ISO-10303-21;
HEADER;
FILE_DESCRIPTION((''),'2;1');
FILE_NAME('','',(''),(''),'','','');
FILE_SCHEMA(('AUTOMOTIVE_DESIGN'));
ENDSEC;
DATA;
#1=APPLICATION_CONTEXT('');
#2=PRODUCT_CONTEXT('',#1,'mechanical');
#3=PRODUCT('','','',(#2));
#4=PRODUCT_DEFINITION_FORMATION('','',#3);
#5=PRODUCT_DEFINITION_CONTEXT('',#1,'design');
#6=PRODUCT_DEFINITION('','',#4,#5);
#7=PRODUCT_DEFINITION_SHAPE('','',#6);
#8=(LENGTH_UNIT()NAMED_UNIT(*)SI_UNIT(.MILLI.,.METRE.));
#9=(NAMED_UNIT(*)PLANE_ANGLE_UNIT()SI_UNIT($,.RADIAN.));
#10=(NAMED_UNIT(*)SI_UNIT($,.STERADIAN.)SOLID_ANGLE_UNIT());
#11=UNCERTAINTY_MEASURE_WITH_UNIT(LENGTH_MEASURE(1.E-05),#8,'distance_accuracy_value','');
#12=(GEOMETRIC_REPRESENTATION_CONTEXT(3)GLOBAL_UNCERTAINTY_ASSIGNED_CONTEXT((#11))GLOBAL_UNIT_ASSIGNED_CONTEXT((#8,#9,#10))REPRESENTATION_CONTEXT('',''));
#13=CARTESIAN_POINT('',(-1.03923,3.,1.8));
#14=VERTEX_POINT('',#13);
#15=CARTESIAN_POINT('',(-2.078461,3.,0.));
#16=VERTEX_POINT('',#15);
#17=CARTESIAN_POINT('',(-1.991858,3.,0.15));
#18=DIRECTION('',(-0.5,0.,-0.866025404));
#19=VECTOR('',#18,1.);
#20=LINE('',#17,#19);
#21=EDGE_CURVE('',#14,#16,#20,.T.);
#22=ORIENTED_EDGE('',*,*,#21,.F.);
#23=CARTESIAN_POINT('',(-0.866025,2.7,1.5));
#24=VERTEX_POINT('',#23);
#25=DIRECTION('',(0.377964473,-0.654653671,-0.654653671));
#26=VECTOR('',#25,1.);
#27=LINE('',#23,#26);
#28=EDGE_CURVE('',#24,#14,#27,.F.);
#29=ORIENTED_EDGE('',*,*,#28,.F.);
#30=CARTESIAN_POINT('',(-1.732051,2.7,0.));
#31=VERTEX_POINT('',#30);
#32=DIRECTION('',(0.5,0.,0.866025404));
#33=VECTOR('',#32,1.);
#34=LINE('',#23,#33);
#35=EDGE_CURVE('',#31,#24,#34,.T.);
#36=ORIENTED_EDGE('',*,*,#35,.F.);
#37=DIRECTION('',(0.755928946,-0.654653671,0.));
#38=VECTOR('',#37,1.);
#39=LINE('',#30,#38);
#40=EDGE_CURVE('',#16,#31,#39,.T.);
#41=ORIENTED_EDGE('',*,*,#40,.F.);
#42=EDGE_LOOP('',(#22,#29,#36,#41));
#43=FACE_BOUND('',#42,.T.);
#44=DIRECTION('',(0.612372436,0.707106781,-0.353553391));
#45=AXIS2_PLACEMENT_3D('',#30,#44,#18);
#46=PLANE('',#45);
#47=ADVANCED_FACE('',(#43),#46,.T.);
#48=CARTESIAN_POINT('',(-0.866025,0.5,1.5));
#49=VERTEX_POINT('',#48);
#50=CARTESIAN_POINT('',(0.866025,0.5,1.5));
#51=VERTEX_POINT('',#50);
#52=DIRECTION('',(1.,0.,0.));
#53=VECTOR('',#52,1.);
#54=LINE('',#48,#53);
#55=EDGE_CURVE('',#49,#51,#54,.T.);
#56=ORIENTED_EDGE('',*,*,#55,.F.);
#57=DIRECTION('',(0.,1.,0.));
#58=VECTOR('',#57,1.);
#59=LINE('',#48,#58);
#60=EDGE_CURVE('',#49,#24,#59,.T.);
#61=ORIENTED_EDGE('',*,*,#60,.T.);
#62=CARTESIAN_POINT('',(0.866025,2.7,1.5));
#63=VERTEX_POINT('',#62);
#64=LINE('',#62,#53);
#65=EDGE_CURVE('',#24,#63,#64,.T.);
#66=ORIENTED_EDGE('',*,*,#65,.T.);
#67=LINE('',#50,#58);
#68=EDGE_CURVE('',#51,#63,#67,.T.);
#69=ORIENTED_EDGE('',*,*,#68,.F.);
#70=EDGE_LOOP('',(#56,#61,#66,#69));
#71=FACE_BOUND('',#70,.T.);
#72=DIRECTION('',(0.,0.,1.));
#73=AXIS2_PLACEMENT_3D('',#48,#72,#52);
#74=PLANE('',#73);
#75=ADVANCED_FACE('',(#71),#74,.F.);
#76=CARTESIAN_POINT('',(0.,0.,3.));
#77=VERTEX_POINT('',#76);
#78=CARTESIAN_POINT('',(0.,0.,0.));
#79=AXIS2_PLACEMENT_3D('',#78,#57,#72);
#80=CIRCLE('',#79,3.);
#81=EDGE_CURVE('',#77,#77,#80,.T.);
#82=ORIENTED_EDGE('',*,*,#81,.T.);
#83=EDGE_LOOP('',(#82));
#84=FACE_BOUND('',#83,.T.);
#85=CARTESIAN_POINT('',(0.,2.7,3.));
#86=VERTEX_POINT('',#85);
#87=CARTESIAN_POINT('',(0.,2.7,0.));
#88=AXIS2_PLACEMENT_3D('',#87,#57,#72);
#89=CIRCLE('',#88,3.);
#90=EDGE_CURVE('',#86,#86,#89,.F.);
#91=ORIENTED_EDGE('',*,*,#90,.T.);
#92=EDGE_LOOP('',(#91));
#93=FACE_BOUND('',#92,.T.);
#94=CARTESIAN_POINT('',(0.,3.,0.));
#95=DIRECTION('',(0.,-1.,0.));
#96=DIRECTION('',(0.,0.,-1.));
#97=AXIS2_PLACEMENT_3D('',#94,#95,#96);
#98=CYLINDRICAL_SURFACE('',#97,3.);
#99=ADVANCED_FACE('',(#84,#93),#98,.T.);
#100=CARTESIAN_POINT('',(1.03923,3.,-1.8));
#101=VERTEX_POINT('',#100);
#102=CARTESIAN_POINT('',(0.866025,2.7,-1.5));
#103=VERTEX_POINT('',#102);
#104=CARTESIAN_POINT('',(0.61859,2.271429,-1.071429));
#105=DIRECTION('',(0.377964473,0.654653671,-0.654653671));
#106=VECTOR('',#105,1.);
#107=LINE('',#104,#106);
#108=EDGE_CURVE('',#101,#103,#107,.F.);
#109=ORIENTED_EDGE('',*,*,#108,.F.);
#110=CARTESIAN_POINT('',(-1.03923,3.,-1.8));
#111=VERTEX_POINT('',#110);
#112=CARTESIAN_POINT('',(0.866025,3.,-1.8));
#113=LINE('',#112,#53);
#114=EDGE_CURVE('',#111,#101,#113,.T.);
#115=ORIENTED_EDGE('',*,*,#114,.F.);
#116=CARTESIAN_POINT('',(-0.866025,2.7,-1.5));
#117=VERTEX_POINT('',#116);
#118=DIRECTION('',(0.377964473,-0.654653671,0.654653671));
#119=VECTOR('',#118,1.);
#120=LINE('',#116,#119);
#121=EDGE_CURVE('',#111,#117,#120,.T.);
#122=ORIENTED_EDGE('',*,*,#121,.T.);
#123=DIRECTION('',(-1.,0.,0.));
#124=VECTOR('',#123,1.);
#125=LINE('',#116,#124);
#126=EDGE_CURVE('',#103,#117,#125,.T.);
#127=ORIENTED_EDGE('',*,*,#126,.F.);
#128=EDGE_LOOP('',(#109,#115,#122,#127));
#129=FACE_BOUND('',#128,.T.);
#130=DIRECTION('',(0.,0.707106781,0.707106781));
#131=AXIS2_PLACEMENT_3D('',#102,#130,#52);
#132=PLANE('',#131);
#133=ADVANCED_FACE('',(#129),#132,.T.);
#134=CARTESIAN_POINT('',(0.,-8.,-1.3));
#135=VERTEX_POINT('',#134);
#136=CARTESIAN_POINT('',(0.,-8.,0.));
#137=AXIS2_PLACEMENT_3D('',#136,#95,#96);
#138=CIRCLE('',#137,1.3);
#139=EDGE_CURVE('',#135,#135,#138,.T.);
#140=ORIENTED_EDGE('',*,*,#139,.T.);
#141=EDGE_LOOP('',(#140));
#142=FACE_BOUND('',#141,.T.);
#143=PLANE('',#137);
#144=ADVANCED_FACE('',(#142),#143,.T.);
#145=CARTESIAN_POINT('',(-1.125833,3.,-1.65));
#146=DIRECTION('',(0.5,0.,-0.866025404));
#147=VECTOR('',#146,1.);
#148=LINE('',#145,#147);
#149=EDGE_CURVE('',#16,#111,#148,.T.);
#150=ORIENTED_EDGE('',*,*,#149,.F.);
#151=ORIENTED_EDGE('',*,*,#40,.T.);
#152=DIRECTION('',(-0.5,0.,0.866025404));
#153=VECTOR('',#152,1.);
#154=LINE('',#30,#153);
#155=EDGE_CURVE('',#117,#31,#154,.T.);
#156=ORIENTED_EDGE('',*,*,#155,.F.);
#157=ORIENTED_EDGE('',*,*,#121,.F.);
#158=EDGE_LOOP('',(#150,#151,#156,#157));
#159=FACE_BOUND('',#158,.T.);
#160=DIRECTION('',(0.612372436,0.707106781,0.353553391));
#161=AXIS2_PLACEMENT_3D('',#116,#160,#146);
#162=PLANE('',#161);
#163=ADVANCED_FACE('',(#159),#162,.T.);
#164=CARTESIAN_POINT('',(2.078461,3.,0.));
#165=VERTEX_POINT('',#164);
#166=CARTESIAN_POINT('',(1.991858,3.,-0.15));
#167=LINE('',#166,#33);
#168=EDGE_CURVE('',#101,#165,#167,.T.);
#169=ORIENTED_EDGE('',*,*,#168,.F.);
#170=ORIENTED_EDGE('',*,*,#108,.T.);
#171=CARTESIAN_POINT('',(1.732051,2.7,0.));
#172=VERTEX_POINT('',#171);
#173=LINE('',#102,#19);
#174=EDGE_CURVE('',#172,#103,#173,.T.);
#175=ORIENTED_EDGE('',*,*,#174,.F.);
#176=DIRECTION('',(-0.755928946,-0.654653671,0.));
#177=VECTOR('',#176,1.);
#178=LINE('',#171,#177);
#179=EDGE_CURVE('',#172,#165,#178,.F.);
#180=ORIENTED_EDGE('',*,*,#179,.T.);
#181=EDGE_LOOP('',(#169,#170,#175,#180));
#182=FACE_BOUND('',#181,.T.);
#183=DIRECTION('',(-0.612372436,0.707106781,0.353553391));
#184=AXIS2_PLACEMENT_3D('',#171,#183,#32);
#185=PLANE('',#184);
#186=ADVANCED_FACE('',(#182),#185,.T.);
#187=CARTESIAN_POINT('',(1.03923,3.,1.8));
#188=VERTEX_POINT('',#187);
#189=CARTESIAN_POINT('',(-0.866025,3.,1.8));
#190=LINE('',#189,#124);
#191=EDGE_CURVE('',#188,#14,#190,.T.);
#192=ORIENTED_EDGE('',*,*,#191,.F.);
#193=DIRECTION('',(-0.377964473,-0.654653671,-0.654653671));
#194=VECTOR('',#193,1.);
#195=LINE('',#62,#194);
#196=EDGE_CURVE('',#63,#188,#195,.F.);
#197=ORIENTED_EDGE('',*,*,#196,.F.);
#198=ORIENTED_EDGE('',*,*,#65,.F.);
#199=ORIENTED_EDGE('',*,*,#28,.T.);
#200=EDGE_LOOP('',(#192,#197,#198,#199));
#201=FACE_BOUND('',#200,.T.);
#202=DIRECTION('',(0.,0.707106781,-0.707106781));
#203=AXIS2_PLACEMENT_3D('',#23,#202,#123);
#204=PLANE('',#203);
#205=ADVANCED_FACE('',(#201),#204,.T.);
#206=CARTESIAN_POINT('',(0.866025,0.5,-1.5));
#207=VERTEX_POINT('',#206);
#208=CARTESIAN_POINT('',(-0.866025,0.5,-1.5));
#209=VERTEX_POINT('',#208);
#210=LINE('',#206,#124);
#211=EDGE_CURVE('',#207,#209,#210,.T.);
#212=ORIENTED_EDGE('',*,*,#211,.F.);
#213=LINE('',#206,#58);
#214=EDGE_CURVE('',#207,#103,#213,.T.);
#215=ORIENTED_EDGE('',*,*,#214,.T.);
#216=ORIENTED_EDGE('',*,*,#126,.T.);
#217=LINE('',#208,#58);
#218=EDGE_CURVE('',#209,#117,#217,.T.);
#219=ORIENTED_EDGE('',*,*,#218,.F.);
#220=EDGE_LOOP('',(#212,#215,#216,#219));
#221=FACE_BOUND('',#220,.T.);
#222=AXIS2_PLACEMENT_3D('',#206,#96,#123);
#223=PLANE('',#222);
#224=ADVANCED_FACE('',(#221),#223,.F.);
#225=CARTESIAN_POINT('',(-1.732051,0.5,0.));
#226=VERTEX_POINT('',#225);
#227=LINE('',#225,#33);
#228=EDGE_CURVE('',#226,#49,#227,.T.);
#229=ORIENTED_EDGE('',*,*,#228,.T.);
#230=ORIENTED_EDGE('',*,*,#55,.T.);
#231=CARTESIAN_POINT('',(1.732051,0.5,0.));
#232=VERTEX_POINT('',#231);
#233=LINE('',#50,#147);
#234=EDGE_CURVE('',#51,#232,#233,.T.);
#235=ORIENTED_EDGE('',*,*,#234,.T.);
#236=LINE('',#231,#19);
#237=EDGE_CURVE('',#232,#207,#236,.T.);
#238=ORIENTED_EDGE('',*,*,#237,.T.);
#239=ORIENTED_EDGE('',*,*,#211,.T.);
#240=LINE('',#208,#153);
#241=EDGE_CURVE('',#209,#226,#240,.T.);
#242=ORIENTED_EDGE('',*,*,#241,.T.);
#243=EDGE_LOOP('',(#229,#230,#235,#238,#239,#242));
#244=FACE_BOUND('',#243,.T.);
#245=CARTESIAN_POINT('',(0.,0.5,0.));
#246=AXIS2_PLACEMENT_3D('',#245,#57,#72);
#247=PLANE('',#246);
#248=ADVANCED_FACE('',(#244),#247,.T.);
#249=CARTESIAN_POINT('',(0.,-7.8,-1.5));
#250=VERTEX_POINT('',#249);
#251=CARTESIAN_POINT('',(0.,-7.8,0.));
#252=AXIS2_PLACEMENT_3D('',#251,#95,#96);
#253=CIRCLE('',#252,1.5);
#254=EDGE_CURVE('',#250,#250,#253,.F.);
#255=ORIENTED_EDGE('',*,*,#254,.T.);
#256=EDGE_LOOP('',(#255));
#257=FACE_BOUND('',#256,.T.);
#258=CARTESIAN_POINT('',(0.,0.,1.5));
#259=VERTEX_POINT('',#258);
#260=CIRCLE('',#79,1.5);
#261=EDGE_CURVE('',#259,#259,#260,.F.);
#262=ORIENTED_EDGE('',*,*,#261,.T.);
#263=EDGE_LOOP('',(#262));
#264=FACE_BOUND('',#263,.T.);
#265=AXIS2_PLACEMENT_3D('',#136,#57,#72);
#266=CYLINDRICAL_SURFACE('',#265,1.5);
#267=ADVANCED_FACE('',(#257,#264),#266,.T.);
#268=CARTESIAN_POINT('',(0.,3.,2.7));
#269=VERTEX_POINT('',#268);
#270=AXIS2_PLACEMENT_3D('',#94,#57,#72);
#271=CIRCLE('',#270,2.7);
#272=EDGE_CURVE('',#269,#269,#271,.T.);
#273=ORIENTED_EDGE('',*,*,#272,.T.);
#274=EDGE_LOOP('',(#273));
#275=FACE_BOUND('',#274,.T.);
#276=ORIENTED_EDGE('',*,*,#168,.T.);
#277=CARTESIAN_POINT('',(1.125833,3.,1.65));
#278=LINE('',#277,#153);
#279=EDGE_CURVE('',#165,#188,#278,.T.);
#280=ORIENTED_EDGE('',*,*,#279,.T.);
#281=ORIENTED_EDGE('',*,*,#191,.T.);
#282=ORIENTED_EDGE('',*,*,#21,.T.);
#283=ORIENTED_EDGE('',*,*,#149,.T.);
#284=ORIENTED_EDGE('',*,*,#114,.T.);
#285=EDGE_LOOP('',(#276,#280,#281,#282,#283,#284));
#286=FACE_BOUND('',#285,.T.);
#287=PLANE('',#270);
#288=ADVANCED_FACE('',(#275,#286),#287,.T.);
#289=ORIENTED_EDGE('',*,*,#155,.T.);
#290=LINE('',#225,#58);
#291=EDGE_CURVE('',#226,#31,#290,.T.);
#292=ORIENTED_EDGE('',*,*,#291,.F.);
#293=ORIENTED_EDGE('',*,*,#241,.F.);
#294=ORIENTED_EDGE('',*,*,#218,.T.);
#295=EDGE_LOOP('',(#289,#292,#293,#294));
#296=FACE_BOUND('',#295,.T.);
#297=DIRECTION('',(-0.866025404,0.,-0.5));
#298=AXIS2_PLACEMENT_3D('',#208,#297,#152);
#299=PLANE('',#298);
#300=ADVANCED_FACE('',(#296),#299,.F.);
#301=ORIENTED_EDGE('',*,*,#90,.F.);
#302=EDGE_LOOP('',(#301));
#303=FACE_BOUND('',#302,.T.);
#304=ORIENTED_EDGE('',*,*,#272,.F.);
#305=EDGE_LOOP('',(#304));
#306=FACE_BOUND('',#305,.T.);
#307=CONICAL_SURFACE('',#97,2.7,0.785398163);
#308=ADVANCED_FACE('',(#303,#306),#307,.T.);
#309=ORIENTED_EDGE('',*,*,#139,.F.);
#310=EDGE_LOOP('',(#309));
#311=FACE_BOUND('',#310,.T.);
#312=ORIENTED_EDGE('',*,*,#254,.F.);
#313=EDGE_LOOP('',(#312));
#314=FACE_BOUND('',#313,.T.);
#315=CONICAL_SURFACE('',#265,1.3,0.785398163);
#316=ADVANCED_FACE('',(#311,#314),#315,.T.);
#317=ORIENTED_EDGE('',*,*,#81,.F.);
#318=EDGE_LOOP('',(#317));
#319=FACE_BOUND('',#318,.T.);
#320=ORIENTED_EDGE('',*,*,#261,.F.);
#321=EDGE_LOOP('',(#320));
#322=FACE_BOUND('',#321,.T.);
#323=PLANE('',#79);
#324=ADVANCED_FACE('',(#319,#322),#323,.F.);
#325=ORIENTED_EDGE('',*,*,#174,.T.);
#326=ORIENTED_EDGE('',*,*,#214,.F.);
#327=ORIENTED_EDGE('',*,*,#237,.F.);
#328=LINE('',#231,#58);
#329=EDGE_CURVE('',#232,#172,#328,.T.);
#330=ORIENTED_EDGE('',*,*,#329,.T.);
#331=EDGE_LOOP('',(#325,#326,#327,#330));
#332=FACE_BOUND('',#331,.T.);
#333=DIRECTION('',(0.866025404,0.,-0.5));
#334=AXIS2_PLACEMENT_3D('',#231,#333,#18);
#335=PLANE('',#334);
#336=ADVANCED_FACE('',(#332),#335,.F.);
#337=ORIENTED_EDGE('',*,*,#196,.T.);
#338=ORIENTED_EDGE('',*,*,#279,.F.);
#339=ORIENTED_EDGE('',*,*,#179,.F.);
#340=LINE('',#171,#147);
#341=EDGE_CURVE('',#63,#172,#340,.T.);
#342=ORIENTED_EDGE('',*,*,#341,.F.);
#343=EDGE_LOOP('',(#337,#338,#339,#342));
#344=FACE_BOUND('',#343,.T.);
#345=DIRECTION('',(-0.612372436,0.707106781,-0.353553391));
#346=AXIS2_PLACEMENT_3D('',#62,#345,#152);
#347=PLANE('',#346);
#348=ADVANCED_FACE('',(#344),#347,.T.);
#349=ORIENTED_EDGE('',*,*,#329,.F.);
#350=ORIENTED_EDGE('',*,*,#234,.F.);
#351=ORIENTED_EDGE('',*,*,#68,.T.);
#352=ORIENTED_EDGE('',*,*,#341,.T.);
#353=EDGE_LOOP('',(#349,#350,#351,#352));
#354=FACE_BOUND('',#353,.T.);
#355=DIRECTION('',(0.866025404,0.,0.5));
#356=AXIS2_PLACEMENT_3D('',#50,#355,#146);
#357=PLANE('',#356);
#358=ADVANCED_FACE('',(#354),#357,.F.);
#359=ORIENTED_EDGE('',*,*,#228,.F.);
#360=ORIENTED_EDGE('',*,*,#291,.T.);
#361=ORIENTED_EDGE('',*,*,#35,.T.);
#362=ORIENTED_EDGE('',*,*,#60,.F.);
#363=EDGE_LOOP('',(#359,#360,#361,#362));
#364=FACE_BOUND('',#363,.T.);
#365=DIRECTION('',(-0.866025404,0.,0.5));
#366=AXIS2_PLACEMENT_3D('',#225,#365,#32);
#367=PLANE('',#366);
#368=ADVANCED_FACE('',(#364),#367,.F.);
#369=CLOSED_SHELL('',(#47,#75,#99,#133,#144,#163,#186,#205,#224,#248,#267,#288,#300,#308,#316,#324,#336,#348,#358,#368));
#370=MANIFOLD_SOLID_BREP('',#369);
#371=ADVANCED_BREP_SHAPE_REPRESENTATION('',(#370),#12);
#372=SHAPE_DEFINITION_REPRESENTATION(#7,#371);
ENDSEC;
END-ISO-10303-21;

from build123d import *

# Parameters (mm, degrees)
SKETCH1_R           = 3
BOSS_EXTRUDE1_DEPTH = 3
CHAMFER1_SIZE       = 0.3
CUT_EXTRUDE1_DEPTH  = 2.5
CHAMFER2_SIZE       = 0.3
SKETCH3_R           = 1.5
BOSS_EXTRUDE2_DEPTH = 8
CHAMFER3_SIZE       = 0.2


with BuildPart() as part:
    # Sketch1 → Boss-Extrude1 (new body)
    with BuildSketch(Plane(origin=(0, 0, 0), x_dir=(1, 0, 0), z_dir=(0, 1, 0))):
        with Locations(Location((0, 0, 0), (0, 0, 270))):  # turned: the seam where the file's is
            Circle(SKETCH1_R)
    extrude(amount=BOSS_EXTRUDE1_DEPTH)

    # Chamfer1
    chamfer1_edges = [part.edges().sort_by_distance(p)[0] for p in [
        (0, 3, -3),
    ]]
    chamfer(chamfer1_edges, length=CHAMFER1_SIZE)

    # Sketch2 → Cut-Extrude1 (cut)
    with BuildSketch(Plane(origin=(0, 3, 0), x_dir=(1, 0, 0), z_dir=(0, 1, 0))):
        Polygon((1.732050808, 0), (0.866025404, 1.5), (-0.866025404, 1.5), (-1.732050808, 0), (-0.866025404, -1.5), (0.866025404, -1.5), align=None)
    extrude(amount=-CUT_EXTRUDE1_DEPTH, mode=Mode.SUBTRACT)

    # Chamfer2
    chamfer2_edges = [part.edges().sort_by_distance(p)[0] for p in [
        (1.299038106, 3, 0.75),
        (1.299038106, 3, -0.75),
        (0, 3, -1.5),
        (-1.299038106, 3, -0.75),
        (-1.299038106, 3, 0.75),
        (0, 3, 1.5),
    ]]
    chamfer(chamfer2_edges, length=CHAMFER2_SIZE)

    # Sketch3 → Boss-Extrude2 (add)
    with BuildSketch(Plane.XZ):
        with Locations(Location((0, 0, 0), (0, 0, 90))):  # turned: the seam where the file's is
            Circle(SKETCH3_R)
    extrude(amount=BOSS_EXTRUDE2_DEPTH)

    # Chamfer3
    chamfer3_edges = [part.edges().sort_by_distance(p)[0] for p in [
        (0, -8, -1.5),
    ]]
    chamfer(chamfer3_edges, length=CHAMFER3_SIZE)


solid = part.part
